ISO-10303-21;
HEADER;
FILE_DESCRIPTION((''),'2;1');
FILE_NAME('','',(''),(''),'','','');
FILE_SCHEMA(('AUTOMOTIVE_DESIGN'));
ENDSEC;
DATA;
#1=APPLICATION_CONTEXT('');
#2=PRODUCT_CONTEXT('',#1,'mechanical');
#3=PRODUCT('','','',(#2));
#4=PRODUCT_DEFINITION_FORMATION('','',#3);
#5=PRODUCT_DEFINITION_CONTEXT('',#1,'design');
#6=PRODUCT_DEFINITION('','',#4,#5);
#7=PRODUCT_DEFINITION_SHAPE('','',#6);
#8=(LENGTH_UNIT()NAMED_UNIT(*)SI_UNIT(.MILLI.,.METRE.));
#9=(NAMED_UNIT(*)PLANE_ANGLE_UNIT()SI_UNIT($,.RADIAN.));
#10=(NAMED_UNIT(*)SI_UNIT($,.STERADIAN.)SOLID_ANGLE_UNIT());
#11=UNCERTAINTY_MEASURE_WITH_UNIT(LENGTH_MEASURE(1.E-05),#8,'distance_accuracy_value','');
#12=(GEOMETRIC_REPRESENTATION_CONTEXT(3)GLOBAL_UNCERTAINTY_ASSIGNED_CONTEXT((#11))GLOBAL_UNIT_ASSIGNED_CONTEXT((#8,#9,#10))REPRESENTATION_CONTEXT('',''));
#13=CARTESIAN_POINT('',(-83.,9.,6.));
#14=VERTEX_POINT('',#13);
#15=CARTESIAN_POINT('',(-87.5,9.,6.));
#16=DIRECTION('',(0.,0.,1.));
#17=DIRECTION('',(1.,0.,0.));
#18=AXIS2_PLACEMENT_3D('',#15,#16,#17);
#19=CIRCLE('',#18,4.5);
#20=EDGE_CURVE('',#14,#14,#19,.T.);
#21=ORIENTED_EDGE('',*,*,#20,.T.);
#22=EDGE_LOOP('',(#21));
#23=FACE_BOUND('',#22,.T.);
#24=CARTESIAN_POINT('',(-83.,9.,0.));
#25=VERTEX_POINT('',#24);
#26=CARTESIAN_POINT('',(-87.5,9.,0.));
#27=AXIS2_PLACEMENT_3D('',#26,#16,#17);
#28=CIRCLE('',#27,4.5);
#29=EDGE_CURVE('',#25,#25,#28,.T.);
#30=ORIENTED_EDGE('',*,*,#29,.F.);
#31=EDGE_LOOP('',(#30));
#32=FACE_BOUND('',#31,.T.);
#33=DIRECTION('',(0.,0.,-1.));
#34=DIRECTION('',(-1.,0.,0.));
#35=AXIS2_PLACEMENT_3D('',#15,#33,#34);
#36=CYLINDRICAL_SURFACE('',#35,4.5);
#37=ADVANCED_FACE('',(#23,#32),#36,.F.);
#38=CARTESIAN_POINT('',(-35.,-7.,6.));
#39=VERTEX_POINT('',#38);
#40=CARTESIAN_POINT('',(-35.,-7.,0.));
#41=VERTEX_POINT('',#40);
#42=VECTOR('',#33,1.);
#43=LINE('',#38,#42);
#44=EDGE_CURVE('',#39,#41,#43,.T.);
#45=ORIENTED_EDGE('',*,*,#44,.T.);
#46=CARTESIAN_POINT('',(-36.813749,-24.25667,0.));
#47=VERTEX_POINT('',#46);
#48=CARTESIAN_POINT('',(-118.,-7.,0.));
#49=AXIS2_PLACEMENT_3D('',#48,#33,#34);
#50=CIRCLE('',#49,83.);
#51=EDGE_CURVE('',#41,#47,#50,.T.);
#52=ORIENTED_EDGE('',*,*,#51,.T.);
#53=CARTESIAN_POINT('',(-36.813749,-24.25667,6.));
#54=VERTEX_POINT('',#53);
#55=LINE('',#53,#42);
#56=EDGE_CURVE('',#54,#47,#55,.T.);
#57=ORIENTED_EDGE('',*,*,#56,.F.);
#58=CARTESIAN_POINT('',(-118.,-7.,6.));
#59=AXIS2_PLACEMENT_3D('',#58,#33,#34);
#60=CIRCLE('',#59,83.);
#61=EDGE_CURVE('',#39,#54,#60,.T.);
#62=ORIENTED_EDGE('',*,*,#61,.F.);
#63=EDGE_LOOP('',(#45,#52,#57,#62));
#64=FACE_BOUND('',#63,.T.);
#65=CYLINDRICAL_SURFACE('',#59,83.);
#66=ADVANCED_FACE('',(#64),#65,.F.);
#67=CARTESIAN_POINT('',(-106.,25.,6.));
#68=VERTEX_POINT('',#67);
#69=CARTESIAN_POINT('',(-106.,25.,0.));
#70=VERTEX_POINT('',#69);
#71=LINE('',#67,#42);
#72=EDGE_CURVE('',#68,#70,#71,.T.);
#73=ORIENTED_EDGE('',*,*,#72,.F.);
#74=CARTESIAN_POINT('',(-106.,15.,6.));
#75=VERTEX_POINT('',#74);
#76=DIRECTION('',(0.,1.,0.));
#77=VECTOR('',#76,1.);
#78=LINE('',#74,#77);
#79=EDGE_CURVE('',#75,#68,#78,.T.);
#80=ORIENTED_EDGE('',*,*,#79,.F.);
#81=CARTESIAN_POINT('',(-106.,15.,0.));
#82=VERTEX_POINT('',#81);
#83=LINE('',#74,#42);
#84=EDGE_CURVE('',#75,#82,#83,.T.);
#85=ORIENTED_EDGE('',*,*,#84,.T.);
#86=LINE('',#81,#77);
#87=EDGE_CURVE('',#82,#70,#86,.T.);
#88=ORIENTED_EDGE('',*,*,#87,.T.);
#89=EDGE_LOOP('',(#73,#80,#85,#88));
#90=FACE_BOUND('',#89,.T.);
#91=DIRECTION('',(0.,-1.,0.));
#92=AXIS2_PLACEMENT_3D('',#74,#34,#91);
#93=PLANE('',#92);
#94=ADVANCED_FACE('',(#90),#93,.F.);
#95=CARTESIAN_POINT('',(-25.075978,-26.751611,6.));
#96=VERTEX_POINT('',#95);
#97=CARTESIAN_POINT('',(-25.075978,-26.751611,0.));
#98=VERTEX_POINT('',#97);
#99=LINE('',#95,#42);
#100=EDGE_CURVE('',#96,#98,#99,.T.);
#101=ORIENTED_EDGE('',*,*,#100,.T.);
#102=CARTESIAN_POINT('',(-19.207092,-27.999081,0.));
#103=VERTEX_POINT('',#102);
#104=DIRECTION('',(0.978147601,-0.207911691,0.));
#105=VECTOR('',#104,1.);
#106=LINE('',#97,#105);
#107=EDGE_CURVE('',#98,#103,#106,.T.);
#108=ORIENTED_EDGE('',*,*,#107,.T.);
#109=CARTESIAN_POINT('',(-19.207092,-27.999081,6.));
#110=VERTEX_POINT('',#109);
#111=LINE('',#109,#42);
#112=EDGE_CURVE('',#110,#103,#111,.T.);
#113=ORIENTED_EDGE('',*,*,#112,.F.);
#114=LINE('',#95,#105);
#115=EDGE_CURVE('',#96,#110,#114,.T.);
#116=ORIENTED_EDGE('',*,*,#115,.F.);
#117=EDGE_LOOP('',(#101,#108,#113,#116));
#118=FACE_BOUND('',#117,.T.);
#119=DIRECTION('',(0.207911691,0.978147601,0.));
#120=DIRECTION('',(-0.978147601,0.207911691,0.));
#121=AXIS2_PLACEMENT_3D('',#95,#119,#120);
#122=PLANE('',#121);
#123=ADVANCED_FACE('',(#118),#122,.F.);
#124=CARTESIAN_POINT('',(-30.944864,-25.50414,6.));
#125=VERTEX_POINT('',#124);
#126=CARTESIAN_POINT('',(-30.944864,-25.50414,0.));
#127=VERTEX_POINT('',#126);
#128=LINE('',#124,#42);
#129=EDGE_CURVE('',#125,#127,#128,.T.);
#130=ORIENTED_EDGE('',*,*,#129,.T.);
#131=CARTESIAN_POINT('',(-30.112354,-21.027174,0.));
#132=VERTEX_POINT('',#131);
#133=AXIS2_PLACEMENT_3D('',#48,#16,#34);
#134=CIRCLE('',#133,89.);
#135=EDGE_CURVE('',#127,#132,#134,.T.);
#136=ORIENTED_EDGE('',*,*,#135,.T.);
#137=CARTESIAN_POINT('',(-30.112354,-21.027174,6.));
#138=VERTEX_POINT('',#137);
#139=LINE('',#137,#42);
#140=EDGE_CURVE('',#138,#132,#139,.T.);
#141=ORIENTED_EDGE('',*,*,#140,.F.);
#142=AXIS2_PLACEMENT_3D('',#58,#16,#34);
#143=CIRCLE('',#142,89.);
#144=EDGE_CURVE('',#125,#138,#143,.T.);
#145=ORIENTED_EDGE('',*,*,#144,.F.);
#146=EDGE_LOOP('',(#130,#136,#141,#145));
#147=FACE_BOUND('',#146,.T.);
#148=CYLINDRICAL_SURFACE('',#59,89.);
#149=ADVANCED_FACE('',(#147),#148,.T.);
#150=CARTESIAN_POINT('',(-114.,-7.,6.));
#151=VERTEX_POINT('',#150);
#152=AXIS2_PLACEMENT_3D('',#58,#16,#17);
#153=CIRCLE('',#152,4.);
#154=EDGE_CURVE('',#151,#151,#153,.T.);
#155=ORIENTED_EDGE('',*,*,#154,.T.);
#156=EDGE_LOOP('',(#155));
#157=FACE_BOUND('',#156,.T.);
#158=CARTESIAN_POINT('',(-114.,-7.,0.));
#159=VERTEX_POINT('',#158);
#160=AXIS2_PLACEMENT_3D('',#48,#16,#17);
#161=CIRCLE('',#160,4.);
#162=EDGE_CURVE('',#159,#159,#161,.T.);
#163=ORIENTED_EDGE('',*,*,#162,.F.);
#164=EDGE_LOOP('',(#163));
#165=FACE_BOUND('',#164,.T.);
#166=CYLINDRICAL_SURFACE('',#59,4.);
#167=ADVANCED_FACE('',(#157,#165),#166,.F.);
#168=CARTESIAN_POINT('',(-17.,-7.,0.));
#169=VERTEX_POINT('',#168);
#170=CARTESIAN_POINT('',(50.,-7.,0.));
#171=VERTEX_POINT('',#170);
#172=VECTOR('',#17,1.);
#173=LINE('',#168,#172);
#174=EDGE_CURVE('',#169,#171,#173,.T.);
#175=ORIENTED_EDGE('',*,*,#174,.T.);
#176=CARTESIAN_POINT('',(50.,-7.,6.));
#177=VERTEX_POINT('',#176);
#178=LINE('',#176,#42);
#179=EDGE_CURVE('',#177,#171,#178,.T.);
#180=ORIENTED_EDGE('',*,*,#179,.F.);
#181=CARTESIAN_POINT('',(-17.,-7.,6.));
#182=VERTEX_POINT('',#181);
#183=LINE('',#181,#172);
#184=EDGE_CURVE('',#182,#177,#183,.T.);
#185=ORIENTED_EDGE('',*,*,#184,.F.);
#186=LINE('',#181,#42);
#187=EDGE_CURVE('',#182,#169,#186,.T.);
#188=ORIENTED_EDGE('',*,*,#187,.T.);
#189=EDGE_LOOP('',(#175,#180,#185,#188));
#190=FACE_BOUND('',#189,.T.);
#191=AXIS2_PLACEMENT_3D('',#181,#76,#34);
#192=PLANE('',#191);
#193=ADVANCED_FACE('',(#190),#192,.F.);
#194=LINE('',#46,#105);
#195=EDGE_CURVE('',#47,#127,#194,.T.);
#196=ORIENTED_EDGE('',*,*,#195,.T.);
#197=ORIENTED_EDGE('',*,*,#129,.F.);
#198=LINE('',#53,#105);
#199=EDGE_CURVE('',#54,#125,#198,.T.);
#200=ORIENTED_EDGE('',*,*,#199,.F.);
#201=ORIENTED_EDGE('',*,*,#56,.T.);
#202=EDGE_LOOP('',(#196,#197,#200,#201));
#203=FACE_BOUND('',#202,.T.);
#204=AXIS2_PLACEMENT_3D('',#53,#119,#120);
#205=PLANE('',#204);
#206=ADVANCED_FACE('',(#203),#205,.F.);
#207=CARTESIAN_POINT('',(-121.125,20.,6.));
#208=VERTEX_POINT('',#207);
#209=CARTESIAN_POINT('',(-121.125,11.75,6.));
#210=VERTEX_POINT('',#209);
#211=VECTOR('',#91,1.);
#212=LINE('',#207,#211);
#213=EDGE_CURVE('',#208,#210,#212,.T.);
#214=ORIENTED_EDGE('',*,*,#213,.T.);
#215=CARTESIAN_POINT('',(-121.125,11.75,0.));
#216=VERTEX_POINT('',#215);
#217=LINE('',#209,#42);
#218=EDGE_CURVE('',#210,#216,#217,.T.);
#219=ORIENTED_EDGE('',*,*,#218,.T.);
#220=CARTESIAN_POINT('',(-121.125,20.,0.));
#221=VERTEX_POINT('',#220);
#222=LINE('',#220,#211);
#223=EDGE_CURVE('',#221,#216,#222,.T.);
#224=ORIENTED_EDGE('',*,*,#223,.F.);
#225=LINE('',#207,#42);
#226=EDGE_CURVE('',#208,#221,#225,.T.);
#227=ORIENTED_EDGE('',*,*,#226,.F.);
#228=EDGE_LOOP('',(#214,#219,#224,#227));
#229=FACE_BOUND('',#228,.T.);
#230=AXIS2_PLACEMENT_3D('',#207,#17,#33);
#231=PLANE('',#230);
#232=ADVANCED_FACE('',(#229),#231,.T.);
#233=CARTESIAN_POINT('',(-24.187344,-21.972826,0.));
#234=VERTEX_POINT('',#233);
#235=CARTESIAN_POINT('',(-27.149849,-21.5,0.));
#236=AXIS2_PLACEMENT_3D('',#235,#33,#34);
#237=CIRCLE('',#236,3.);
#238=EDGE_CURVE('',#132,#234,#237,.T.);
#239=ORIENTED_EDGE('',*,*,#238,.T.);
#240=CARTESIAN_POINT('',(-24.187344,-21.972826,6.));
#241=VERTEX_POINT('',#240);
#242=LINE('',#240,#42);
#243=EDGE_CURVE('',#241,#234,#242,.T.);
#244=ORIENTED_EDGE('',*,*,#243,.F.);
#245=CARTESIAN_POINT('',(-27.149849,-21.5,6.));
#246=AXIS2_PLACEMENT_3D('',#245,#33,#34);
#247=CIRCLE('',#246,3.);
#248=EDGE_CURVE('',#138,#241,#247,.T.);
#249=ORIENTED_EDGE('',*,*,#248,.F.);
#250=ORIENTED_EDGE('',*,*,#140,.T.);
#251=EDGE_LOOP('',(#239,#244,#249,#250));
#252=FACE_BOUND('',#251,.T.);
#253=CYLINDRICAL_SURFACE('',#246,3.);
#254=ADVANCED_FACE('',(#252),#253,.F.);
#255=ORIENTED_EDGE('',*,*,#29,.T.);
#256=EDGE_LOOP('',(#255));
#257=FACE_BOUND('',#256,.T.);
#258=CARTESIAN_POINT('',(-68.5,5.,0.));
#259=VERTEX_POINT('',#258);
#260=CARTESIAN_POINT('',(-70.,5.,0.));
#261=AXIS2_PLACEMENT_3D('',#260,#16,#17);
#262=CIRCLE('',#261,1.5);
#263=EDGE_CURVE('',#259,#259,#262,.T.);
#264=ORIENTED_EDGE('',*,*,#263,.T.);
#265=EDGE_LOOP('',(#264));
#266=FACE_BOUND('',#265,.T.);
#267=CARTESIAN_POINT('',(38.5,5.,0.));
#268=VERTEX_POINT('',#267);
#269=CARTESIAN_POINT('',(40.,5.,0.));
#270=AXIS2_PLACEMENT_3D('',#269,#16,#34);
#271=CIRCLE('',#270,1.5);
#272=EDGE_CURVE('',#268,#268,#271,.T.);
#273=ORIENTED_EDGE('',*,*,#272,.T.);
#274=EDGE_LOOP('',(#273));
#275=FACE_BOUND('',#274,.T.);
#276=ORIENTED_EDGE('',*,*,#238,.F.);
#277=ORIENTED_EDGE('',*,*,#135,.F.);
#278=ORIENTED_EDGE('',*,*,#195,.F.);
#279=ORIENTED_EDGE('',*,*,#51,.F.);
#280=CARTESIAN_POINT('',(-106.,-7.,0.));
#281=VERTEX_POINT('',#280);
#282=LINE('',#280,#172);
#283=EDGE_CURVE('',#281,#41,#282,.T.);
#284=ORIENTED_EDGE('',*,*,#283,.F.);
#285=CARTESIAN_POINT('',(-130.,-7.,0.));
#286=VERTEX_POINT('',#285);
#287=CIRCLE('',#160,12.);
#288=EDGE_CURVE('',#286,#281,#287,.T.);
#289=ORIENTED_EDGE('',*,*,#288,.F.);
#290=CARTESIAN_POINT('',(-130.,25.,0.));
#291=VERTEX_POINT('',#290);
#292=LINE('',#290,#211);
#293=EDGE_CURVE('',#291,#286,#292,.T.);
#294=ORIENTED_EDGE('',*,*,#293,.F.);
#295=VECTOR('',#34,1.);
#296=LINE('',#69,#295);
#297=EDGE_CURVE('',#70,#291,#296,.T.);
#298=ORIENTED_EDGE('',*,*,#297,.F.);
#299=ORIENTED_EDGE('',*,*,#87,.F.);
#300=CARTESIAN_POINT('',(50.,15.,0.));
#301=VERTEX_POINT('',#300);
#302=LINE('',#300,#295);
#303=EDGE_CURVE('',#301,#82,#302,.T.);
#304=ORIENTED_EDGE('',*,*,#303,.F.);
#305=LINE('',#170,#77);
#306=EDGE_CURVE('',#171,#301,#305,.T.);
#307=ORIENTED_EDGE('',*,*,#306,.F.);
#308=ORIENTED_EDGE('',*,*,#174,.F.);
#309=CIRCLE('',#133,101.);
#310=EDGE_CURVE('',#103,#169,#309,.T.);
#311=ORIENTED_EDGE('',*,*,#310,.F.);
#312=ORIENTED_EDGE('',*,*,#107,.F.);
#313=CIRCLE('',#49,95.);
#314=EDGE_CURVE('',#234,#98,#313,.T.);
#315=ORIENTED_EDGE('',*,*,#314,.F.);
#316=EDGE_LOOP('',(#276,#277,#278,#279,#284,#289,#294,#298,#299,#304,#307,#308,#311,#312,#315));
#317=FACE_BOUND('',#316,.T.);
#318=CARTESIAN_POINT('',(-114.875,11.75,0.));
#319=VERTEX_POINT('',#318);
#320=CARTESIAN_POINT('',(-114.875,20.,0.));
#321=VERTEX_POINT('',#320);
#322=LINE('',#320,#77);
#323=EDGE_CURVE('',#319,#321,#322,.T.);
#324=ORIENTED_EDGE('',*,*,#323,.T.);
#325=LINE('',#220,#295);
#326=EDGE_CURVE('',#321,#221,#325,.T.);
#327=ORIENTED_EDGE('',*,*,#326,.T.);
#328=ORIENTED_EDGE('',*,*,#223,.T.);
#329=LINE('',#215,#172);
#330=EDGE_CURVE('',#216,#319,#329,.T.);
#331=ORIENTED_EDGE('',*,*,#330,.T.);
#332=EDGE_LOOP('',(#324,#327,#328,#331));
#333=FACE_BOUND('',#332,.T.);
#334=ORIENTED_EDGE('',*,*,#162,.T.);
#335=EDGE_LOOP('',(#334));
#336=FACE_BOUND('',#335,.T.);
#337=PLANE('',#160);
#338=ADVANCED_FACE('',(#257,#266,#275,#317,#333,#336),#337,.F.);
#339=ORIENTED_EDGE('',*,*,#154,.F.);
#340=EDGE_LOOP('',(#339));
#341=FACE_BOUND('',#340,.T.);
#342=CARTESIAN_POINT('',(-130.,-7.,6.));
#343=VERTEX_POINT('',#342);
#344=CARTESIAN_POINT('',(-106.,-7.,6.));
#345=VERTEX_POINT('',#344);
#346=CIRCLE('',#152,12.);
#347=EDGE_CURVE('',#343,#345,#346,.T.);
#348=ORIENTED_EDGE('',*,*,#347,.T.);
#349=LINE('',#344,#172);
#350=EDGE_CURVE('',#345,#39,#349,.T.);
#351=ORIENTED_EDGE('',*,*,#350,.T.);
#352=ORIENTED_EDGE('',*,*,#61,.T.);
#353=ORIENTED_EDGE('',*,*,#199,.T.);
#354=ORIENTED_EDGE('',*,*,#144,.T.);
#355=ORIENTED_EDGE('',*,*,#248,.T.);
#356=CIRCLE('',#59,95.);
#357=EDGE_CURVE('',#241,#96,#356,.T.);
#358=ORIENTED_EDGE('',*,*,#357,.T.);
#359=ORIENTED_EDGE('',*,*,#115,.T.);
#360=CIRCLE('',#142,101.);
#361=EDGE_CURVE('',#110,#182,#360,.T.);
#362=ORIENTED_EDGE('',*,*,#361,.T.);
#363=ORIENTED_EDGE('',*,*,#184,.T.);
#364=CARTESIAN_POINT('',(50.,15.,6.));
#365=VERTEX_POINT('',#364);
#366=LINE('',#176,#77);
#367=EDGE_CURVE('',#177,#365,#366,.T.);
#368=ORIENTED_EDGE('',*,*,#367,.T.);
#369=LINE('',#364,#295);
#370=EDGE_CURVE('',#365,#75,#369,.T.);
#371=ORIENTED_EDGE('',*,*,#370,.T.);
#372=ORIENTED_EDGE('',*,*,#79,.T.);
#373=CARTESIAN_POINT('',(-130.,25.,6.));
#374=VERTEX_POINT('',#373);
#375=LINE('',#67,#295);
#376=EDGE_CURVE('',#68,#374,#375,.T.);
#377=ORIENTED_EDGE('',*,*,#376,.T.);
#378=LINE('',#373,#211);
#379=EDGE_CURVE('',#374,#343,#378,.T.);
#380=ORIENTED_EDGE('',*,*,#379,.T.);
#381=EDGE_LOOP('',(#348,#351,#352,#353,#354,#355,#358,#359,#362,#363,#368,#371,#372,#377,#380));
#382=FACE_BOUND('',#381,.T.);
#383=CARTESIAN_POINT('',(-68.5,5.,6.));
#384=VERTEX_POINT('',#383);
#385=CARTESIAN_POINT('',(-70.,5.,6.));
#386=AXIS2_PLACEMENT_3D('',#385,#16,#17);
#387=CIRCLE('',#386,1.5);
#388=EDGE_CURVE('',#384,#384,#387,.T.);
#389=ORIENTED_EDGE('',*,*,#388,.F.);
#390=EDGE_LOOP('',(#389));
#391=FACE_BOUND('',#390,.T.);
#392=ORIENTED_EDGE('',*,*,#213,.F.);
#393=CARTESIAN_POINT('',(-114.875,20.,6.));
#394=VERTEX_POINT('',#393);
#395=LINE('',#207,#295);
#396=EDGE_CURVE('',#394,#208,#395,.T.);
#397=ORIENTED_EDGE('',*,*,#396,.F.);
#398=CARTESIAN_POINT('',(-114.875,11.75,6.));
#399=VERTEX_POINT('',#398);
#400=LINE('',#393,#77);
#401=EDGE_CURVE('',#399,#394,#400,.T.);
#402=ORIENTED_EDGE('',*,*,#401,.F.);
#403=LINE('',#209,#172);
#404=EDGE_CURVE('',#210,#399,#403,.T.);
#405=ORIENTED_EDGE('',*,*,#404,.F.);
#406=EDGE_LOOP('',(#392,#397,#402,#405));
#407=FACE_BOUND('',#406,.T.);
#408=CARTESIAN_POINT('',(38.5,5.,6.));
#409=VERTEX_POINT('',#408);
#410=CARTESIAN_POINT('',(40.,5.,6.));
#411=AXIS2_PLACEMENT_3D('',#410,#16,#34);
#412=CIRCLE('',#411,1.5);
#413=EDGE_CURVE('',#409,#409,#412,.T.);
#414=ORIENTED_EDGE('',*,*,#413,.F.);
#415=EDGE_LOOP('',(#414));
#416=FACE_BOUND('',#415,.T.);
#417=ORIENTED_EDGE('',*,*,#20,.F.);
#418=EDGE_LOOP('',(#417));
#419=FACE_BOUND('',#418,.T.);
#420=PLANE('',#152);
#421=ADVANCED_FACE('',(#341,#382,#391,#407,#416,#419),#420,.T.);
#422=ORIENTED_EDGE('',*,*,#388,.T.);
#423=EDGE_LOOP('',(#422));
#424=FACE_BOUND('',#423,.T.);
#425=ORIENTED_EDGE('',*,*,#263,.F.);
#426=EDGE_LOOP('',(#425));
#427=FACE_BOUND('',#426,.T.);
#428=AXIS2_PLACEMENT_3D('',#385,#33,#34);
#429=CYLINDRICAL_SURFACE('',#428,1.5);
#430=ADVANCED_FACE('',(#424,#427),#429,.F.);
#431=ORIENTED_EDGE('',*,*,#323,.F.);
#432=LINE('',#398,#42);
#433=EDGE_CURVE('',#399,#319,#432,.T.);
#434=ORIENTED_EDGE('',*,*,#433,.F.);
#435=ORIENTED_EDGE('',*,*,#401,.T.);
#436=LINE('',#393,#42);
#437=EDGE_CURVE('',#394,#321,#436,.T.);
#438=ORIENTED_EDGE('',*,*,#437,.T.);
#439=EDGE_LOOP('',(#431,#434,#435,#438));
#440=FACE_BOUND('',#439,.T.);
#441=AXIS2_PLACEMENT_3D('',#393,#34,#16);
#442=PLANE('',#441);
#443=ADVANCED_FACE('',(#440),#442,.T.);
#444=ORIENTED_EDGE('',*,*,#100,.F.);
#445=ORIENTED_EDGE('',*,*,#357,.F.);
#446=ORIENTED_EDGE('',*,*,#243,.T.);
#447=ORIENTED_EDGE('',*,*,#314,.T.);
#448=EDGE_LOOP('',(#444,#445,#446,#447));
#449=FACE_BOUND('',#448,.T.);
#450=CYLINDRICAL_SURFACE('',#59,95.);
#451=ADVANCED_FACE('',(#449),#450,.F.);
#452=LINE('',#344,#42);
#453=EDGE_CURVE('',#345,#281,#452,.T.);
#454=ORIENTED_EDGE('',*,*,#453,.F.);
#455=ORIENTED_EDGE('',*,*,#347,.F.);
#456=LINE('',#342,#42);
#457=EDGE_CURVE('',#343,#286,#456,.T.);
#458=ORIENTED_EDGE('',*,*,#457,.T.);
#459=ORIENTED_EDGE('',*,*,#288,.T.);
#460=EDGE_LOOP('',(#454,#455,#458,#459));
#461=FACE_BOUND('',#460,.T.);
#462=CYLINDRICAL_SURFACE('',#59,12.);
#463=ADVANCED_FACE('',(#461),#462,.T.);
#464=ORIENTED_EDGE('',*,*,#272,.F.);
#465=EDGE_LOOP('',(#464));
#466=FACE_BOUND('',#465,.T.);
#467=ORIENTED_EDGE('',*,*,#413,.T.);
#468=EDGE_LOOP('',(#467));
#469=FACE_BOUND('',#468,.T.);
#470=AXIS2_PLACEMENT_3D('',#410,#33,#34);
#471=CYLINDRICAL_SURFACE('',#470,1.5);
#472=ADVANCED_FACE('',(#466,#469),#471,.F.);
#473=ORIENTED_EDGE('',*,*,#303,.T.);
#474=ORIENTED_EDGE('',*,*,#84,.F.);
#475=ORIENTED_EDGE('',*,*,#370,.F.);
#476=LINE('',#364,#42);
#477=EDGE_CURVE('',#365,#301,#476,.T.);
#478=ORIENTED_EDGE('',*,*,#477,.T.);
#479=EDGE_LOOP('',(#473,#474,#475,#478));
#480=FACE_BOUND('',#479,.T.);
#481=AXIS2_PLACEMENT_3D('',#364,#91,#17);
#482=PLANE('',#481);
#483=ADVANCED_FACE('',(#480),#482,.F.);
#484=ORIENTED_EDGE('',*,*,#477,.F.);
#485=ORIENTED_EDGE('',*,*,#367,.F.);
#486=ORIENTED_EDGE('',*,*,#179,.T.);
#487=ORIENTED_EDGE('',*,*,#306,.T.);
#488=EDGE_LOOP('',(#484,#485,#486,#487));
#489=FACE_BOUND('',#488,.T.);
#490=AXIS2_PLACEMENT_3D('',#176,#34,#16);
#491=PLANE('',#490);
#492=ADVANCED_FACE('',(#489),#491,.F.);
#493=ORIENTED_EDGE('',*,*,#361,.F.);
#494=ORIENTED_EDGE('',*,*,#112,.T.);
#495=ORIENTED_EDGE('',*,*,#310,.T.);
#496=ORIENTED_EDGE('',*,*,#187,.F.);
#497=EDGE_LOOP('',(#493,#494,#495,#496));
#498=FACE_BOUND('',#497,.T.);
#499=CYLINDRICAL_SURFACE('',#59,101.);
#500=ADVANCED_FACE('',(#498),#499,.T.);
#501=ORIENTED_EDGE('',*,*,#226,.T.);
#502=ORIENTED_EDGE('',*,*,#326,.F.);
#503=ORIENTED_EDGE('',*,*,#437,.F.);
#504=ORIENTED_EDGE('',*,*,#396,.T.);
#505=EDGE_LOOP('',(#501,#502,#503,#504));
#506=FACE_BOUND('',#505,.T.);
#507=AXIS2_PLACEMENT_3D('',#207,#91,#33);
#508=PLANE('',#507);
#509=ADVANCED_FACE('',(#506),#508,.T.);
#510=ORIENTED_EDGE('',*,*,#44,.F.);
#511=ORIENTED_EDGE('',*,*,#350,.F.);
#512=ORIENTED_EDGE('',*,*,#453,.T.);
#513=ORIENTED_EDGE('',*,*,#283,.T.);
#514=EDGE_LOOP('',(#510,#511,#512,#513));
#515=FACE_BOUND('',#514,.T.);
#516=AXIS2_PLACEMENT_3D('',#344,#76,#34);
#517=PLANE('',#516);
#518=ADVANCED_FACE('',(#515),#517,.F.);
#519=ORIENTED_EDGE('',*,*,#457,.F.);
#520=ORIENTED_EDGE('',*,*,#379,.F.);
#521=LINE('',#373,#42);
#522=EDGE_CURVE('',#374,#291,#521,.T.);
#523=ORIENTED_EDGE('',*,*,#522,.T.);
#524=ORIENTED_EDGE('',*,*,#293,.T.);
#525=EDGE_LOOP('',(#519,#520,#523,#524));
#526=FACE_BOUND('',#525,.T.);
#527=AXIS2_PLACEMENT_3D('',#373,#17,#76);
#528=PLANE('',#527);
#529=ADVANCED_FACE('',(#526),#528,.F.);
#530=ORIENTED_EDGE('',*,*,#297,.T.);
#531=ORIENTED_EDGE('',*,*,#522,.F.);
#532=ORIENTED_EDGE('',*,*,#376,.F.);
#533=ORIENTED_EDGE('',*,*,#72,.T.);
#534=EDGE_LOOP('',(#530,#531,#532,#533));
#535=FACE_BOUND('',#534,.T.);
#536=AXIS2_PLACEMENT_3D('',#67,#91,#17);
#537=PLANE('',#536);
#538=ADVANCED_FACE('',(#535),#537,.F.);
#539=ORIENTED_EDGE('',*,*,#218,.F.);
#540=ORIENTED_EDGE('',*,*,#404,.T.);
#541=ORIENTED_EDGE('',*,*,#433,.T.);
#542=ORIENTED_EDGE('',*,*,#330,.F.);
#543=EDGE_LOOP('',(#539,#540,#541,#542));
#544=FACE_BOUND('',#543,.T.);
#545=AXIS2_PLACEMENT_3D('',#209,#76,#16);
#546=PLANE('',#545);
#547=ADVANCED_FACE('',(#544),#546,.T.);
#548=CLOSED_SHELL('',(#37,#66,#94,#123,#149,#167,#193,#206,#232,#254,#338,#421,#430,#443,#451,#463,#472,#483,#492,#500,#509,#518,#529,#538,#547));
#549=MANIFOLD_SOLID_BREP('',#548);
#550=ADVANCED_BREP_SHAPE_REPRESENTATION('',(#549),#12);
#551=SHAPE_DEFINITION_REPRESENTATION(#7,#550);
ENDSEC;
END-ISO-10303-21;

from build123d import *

# Parameters (mm, degrees)
ESBO_O1_R                = 4
ESBO_O1_R_2              = 1.5
ESBO_O1_R_3              = 4.5
ESBO_O1_W                = 6.25
ESBO_O1_H                = 8.25
RESSALTO_EXTRUS_O1_DEPTH = 6


with BuildPart() as part:
    # Esboço1 → Ressalto-extrusão1 (new body)
    with BuildSketch(Plane.XY):
        with BuildLine():
            Line((50, -7), (50, 15))
            Line((50, 15), (-106, 15))
            Line((-106, 15), (-106, 25))
            Line((-106, 25), (-130, 25))
            Line((-130, 25), (-130, -7))
            ThreePointArc((-130, -7), (-118, -19), (-106, -7))
            Line((-106, -7), (-35, -7))
            ThreePointArc((-35, -7), (-35.454682684, -15.675862451), (-36.813749139, -24.256670338))
            Line((-36.813749139, -24.256670338), (-30.944863535, -25.504140483))
            ThreePointArc((-30.944863535, -25.504140483), (-30.499970699, -23.270982524), (-30.112353587, -21.027173913))
            ThreePointArc((-30.112353587, -21.027173913), (-26.677022565, -18.537495065), (-24.187343716, -21.972826087))
            ThreePointArc((-24.187343716, -21.972826087), (-24.601092319, -24.367902694), (-25.07597793, -26.751610628))
            Line((-25.07597793, -26.751610628), (-19.207092326, -27.999080773))
            ThreePointArc((-19.207092326, -27.999080773), (-17.553288568, -17.55737479), (-17, -7))
            Line((-17, -7), (50, -7))
        make_face()
        with Locations((-118, -7)):
            Circle(ESBO_O1_R, mode=Mode.SUBTRACT)
        with Locations((-70, 5)):
            Circle(ESBO_O1_R_2, mode=Mode.SUBTRACT)
        with Locations((40, 5)):
            Circle(ESBO_O1_R_2, mode=Mode.SUBTRACT)
        with Locations((-87.5, 9)):
            Circle(ESBO_O1_R_3, mode=Mode.SUBTRACT)
        with Locations((-118, 15.875)):
            Rectangle(ESBO_O1_W, ESBO_O1_H, mode=Mode.SUBTRACT)
    extrude(amount=RESSALTO_EXTRUS_O1_DEPTH)


solid = part.part
